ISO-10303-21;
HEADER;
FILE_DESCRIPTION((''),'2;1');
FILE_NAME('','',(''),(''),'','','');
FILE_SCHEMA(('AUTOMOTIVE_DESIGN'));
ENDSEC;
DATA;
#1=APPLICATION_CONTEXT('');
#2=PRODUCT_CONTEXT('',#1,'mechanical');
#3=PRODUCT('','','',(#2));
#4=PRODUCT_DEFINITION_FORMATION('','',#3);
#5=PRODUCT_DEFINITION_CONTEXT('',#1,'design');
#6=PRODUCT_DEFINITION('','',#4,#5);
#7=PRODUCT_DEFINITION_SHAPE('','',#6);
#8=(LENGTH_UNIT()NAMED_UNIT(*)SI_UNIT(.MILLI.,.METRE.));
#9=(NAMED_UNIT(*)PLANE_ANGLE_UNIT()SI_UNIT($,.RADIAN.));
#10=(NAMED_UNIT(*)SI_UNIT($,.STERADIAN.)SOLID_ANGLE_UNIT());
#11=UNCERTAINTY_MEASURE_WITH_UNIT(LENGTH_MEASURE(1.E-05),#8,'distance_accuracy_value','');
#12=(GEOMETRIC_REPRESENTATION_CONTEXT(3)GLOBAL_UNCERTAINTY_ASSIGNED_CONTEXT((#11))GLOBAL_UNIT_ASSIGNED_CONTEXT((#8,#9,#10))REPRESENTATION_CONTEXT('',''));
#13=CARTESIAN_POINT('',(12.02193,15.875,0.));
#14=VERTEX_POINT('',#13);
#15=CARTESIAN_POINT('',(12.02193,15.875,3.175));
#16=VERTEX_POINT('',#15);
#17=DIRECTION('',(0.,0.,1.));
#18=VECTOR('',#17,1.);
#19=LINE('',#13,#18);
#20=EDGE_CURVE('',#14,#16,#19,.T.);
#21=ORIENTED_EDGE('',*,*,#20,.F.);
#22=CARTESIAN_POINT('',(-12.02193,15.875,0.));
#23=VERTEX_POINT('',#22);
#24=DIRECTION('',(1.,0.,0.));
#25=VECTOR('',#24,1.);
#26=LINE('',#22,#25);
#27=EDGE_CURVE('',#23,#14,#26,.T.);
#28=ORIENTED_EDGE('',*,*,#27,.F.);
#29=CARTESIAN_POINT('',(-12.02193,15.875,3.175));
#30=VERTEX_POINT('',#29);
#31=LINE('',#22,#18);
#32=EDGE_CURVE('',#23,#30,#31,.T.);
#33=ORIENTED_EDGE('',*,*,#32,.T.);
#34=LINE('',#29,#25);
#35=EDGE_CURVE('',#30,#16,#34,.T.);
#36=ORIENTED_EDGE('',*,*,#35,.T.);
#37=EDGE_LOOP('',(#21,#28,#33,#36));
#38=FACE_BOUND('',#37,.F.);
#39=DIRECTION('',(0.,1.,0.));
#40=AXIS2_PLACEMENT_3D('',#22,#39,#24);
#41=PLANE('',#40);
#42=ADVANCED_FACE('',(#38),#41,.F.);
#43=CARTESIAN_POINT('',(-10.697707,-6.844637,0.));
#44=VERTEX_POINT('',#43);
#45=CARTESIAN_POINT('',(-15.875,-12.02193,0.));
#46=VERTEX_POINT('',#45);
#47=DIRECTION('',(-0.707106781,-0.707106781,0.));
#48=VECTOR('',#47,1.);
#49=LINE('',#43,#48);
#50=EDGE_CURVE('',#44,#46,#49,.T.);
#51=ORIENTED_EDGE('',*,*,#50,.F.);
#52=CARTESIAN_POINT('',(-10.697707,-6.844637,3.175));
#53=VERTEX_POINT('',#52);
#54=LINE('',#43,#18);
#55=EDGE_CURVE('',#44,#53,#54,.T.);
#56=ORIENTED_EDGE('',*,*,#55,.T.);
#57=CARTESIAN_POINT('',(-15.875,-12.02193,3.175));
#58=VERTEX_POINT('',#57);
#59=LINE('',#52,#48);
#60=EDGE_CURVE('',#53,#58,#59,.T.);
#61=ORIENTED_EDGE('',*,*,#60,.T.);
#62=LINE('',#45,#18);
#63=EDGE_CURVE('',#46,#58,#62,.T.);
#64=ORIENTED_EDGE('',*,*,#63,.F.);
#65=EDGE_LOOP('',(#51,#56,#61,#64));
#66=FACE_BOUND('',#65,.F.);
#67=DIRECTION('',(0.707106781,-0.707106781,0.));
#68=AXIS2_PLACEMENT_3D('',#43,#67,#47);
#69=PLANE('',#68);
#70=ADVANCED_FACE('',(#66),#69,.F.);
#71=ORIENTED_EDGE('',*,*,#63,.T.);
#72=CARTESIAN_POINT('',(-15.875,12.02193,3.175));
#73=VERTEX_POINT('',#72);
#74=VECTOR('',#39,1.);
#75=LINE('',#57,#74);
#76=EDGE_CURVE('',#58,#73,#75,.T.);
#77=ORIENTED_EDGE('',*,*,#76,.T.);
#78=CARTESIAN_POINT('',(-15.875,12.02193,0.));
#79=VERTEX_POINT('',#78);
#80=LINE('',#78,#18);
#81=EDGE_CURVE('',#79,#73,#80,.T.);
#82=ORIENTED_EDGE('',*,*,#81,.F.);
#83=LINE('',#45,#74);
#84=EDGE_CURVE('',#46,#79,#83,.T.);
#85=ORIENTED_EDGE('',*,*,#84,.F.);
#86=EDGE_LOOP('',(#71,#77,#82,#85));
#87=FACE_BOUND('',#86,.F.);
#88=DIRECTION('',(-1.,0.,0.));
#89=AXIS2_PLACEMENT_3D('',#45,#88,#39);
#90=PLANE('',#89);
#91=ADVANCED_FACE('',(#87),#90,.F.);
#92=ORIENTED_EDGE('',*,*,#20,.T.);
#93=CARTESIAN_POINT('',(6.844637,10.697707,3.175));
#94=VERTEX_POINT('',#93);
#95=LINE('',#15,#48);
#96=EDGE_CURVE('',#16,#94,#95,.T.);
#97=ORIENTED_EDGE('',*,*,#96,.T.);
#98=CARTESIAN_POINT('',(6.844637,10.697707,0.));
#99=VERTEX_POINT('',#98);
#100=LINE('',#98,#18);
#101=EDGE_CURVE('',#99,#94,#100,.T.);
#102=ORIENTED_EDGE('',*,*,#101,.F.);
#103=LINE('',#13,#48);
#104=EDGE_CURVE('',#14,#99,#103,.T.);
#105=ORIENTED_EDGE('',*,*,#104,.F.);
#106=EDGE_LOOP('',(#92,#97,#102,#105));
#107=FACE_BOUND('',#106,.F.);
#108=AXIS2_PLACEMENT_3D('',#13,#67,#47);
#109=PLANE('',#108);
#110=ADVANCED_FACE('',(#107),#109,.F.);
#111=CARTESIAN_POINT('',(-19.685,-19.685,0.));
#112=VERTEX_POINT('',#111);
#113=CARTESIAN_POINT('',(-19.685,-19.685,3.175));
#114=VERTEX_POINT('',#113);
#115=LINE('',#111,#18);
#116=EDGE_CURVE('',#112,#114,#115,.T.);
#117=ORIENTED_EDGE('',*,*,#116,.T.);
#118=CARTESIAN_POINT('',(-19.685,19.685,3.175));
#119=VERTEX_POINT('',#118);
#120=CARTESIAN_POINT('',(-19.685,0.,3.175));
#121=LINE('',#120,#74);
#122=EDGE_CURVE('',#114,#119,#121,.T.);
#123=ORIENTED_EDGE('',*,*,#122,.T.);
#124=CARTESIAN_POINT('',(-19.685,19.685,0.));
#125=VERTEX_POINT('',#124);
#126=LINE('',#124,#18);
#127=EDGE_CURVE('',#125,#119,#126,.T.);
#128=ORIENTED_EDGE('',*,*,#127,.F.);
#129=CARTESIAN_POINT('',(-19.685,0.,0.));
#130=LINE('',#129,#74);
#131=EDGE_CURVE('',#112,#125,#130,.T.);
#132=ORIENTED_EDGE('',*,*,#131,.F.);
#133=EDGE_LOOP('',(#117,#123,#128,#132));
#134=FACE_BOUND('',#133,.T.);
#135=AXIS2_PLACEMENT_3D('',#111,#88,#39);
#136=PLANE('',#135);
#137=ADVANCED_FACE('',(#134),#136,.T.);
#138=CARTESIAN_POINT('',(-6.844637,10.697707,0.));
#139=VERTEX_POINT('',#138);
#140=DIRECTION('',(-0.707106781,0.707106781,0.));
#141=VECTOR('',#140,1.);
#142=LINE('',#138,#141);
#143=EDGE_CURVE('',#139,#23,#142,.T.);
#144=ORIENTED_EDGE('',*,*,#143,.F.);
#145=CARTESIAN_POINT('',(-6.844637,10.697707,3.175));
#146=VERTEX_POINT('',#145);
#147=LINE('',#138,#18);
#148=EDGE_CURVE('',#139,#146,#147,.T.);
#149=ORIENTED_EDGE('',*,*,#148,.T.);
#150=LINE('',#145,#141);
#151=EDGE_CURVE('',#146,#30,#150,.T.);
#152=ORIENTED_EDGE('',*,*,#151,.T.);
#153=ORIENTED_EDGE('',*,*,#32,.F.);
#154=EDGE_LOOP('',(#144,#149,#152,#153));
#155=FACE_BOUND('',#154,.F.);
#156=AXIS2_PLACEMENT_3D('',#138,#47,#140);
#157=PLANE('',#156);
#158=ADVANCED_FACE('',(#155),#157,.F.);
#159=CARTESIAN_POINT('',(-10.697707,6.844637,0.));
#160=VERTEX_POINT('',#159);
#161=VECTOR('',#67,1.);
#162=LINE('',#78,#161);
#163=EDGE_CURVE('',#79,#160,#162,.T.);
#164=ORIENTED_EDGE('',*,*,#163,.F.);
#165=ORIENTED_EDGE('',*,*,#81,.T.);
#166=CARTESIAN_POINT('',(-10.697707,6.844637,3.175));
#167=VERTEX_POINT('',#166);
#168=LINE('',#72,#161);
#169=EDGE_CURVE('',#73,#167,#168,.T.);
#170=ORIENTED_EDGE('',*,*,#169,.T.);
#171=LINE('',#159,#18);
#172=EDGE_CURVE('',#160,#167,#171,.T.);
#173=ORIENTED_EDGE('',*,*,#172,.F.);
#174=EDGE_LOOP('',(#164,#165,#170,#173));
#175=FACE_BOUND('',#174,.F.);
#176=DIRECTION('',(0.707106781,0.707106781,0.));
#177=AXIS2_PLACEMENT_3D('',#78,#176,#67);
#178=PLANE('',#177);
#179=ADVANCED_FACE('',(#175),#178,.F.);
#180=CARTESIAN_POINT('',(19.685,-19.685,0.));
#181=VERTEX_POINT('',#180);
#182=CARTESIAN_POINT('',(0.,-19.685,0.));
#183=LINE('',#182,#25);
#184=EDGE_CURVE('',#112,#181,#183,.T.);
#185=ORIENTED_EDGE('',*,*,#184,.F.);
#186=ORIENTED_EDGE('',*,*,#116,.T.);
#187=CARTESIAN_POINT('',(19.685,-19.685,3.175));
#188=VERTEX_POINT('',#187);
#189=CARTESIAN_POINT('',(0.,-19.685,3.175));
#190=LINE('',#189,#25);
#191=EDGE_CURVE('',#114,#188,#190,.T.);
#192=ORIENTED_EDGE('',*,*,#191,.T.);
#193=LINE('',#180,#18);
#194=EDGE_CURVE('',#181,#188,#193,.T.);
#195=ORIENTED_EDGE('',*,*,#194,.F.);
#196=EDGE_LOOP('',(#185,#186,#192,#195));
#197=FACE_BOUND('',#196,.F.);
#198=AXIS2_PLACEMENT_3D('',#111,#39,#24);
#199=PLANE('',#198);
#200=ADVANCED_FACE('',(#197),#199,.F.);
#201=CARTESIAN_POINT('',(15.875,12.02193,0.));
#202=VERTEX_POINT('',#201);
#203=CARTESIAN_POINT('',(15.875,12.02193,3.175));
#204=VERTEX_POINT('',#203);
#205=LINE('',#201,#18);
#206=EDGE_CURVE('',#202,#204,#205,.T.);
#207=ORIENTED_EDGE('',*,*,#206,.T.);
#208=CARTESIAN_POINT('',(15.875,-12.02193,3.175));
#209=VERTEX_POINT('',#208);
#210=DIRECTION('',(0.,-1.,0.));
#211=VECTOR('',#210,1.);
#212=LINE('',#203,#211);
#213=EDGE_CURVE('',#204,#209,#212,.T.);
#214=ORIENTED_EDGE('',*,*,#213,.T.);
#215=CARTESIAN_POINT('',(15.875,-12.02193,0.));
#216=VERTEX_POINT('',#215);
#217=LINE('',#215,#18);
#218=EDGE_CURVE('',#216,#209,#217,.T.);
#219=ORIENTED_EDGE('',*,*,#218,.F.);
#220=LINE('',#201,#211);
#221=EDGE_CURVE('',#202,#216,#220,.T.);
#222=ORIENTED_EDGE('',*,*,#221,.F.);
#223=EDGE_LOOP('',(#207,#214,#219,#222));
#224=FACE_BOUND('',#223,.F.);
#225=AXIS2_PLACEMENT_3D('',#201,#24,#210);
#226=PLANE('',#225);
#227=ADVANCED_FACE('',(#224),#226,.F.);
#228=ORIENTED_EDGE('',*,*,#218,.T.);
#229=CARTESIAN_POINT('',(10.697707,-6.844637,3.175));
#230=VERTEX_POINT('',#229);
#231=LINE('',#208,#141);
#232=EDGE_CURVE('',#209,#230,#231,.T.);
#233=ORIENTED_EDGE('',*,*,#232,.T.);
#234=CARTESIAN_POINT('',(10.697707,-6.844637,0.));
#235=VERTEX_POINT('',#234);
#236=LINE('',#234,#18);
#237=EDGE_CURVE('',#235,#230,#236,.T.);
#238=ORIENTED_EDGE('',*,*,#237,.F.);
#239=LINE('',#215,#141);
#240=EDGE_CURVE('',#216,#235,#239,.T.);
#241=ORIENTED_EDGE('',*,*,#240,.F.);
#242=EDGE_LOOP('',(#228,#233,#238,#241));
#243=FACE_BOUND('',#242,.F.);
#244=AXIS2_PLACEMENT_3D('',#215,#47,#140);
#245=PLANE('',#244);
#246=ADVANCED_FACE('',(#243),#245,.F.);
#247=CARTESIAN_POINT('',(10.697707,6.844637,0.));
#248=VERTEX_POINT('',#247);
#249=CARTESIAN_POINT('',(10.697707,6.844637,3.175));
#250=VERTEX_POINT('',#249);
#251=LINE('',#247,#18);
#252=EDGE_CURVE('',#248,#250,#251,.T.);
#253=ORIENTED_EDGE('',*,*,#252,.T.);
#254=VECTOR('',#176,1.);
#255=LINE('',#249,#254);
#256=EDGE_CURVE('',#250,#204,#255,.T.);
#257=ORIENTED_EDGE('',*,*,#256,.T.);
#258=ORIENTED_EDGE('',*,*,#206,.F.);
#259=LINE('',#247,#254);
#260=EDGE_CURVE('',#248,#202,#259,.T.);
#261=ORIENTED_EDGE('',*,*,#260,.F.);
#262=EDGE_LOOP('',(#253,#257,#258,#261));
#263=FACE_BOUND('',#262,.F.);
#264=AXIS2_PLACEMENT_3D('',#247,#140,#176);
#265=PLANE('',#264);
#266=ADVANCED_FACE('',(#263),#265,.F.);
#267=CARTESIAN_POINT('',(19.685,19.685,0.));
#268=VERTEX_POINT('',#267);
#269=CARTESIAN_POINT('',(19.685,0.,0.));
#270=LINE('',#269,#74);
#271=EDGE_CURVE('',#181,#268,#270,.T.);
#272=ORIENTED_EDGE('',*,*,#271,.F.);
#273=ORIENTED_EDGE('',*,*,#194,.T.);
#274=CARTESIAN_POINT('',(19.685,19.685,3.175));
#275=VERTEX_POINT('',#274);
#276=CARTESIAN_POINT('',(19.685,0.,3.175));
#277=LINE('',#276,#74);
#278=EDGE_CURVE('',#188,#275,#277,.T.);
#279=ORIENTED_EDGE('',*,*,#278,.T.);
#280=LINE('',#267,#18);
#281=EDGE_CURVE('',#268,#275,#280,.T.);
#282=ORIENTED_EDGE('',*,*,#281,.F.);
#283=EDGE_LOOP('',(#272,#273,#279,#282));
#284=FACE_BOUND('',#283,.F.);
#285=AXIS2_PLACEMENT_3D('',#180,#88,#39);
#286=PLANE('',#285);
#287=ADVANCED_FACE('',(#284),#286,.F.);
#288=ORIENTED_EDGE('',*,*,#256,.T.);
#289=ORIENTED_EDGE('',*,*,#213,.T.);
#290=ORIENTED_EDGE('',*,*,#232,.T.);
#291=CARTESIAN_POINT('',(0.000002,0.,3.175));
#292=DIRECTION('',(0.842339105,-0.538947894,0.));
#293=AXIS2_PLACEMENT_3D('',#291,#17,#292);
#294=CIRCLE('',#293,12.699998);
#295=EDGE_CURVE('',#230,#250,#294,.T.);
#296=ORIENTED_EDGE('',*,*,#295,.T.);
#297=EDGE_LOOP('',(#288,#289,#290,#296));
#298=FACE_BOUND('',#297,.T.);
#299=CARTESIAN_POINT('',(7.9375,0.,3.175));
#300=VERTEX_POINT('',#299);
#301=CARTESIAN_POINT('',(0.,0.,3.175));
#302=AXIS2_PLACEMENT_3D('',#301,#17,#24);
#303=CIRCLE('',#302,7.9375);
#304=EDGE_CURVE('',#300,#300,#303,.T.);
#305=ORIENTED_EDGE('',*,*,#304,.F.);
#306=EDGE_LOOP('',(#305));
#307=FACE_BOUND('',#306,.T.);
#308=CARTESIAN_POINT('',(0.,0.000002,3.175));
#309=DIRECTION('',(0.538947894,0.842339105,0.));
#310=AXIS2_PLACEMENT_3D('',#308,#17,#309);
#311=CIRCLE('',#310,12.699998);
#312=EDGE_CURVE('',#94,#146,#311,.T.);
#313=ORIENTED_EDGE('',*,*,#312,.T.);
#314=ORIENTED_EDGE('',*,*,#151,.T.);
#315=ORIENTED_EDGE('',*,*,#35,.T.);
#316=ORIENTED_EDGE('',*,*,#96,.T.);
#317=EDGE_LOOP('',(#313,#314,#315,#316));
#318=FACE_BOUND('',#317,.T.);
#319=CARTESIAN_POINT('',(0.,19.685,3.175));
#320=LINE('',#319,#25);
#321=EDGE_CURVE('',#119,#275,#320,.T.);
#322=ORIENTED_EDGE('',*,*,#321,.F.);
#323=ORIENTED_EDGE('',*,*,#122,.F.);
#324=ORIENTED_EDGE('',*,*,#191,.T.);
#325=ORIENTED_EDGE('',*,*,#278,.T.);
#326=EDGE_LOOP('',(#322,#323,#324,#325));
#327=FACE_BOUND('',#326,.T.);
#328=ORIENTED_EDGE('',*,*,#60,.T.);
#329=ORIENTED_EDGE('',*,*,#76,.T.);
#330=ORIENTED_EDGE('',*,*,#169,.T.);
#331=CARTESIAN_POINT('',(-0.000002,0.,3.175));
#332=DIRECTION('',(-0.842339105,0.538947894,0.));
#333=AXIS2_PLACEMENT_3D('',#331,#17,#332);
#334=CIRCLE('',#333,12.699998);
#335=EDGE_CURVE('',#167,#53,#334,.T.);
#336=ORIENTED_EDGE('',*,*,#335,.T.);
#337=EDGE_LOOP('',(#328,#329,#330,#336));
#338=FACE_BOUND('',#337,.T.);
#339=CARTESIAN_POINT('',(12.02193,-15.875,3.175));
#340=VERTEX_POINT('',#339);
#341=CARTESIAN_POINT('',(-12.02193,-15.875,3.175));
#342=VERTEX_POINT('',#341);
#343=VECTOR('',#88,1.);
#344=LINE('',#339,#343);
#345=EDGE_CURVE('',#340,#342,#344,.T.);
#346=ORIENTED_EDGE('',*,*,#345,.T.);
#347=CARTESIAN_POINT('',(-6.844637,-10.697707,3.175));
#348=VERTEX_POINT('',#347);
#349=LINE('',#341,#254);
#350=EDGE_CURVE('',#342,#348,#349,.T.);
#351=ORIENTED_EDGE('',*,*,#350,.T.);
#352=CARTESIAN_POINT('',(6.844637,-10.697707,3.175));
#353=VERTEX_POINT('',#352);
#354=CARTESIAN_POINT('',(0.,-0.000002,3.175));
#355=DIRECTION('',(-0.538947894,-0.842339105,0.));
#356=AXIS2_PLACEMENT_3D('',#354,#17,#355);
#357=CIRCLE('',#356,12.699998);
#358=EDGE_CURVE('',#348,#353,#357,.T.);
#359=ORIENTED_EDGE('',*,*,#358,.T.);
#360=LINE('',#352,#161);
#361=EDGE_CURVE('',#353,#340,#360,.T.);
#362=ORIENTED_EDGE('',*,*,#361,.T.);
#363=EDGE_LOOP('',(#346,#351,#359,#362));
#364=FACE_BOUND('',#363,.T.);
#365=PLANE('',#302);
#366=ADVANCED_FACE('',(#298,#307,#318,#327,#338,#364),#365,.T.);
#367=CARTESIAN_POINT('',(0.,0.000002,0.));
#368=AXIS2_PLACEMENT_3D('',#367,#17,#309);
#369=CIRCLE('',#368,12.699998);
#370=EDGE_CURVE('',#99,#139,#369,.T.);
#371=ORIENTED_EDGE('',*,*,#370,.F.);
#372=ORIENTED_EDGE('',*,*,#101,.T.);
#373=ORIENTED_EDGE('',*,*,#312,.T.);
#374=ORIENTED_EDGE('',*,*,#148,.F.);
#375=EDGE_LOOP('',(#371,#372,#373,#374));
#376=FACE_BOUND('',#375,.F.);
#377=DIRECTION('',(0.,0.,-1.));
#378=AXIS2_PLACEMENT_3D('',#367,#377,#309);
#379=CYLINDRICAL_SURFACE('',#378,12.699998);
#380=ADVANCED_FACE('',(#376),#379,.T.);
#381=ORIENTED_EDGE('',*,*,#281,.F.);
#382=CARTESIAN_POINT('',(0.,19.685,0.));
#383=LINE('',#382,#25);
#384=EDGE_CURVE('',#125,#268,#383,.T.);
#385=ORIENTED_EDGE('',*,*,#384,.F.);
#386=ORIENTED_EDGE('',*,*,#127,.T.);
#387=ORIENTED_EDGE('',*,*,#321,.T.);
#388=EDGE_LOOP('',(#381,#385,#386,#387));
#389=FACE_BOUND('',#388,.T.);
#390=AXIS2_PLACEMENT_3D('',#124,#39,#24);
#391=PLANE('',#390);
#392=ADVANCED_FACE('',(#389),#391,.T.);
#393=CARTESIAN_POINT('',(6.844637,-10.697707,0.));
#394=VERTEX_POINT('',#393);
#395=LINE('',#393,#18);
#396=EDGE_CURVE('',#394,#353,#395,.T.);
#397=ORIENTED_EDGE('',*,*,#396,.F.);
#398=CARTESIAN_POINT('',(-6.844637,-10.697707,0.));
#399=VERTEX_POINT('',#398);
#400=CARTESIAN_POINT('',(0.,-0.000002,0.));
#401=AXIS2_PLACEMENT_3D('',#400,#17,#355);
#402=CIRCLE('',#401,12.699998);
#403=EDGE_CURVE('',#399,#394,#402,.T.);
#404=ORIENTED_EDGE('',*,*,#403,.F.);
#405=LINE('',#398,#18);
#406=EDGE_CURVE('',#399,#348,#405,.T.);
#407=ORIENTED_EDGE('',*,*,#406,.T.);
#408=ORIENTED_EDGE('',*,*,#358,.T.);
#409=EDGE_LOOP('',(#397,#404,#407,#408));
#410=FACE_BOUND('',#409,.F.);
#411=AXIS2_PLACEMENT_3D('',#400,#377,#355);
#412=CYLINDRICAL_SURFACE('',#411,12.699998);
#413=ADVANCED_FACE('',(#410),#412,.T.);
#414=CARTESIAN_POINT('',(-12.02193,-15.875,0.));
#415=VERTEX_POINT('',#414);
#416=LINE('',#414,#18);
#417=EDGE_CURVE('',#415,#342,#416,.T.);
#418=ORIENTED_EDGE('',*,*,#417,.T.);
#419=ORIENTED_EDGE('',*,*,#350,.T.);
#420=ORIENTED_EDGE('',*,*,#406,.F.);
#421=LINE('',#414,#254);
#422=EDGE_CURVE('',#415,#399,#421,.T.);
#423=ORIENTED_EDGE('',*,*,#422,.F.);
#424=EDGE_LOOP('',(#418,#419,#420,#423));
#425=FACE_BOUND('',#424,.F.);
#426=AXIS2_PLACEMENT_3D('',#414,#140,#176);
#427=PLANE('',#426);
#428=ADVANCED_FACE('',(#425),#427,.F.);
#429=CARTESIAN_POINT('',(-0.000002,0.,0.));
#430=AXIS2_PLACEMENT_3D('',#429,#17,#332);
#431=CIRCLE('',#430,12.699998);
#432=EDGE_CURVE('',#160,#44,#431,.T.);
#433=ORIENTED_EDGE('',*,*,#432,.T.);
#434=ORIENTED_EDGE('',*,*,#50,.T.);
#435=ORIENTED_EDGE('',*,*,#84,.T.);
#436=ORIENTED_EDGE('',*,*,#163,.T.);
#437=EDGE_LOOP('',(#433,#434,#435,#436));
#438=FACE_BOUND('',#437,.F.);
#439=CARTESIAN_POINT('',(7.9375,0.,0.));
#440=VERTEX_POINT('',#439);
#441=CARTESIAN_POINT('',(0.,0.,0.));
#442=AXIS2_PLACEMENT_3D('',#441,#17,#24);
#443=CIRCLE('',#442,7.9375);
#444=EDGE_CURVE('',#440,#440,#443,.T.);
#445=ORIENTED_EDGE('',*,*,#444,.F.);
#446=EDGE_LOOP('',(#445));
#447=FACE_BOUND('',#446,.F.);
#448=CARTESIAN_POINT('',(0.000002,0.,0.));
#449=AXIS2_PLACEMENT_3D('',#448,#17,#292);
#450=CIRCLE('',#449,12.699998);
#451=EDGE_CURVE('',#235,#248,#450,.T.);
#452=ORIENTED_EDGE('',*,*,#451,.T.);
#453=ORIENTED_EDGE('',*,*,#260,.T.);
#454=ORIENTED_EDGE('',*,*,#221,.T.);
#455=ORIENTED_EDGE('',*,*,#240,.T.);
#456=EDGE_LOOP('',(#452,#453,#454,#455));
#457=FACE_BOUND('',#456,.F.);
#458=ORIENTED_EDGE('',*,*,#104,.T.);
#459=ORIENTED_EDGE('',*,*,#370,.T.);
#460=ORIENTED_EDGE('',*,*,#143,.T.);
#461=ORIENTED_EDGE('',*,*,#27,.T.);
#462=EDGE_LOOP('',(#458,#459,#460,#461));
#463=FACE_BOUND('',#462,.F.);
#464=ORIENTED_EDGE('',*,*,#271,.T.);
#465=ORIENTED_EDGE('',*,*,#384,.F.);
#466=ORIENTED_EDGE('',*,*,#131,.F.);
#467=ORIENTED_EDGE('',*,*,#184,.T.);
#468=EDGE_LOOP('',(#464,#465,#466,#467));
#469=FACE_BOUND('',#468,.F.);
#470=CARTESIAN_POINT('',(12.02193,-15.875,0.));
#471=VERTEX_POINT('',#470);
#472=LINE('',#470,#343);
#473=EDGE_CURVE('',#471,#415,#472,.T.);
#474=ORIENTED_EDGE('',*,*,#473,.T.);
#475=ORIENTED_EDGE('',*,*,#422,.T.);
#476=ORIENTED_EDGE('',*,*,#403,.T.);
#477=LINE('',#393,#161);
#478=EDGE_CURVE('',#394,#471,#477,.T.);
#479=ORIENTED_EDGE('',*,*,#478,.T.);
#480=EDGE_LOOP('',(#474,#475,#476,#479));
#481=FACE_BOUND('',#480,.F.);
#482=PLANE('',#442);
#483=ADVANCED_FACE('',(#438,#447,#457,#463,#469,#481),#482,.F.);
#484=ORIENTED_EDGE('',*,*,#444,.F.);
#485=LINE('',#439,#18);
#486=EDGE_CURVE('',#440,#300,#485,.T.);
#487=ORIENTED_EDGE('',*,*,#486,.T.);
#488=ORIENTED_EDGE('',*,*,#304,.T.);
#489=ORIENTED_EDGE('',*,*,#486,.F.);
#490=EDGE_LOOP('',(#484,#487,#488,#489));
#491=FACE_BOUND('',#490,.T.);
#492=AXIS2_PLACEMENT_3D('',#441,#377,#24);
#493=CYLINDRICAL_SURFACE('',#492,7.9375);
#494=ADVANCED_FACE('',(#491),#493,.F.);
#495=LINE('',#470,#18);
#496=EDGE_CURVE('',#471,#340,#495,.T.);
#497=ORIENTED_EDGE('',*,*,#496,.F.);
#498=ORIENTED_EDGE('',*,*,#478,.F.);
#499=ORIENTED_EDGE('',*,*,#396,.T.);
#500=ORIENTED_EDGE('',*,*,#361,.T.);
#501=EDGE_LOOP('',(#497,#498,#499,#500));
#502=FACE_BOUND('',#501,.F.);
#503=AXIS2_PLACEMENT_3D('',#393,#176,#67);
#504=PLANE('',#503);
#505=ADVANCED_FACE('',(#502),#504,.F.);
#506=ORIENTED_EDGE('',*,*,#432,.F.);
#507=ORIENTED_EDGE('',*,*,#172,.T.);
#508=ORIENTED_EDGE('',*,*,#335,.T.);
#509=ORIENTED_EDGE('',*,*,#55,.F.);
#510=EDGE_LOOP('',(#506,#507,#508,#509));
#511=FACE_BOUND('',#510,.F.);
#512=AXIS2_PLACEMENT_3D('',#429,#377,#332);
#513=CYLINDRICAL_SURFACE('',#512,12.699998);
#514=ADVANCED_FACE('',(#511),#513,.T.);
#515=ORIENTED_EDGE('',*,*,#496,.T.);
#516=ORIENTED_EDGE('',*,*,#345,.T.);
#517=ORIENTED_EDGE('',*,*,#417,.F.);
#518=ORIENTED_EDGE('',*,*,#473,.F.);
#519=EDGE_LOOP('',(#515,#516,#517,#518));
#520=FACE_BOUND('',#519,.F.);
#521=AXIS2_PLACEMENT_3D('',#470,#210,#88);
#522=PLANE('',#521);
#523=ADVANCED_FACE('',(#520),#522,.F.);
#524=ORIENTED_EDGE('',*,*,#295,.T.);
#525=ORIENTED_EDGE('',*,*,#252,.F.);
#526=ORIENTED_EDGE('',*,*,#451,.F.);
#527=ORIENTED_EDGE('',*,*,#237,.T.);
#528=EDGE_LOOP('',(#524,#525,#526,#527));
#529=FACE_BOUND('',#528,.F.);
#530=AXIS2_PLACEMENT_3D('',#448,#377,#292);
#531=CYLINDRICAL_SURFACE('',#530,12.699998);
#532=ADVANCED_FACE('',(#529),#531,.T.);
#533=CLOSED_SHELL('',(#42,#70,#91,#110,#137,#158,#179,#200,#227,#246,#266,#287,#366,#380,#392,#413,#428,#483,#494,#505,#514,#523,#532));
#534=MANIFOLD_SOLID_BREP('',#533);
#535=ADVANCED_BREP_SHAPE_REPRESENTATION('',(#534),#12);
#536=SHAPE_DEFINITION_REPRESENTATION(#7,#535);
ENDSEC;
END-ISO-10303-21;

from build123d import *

# Parameters (mm, degrees)
F0_W     = 39.37
F0_H     = 39.37
F0_R     = 7.9375
F1_DEPTH = 3.175


with BuildPart() as f1:
    # F0 (on Top) → F1 (new body)
    with BuildSketch(Plane.XY):
        Rectangle(F0_W, F0_H)
        with BuildLine():
            Line((12.02193, -15.875), (-12.02193, -15.875))
            Line((-12.02193, -15.875), (-6.844637, -10.697707))
            ThreePointArc((-6.844637, -10.697707), (0, -12.7), (6.844637, -10.697707))
            Line((6.844637, -10.697707), (12.02193, -15.875))
        make_face(mode=Mode.SUBTRACT)
        with BuildLine():
            Line((-15.875, 12.02193), (-10.697707, 6.844637))
            ThreePointArc((-10.697707, 6.844637), (-12.7, 0), (-10.697707, -6.844637))
            Line((-10.697707, -6.844637), (-15.875, -12.02193))
            Line((-15.875, -12.02193), (-15.875, 12.02193))
        make_face(mode=Mode.SUBTRACT)
        Circle(F0_R, mode=Mode.SUBTRACT)
        with BuildLine():
            Line((10.697707, 6.844637), (15.875, 12.02193))
            Line((15.875, 12.02193), (15.875, -12.02193))
            Line((15.875, -12.02193), (10.697707, -6.844637))
            ThreePointArc((10.697707, -6.844637), (12.7, 0), (10.697707, 6.844637))
        make_face(mode=Mode.SUBTRACT)
        with BuildLine():
            Line((-6.844637, 10.697707), (-12.02193, 15.875))
            Line((-12.02193, 15.875), (12.02193, 15.875))
            Line((12.02193, 15.875), (6.844637, 10.697707))
            ThreePointArc((6.844637, 10.697707), (0, 12.7), (-6.844637, 10.697707))
        make_face(mode=Mode.SUBTRACT)
    extrude(amount=F1_DEPTH)


solid = f1.part
